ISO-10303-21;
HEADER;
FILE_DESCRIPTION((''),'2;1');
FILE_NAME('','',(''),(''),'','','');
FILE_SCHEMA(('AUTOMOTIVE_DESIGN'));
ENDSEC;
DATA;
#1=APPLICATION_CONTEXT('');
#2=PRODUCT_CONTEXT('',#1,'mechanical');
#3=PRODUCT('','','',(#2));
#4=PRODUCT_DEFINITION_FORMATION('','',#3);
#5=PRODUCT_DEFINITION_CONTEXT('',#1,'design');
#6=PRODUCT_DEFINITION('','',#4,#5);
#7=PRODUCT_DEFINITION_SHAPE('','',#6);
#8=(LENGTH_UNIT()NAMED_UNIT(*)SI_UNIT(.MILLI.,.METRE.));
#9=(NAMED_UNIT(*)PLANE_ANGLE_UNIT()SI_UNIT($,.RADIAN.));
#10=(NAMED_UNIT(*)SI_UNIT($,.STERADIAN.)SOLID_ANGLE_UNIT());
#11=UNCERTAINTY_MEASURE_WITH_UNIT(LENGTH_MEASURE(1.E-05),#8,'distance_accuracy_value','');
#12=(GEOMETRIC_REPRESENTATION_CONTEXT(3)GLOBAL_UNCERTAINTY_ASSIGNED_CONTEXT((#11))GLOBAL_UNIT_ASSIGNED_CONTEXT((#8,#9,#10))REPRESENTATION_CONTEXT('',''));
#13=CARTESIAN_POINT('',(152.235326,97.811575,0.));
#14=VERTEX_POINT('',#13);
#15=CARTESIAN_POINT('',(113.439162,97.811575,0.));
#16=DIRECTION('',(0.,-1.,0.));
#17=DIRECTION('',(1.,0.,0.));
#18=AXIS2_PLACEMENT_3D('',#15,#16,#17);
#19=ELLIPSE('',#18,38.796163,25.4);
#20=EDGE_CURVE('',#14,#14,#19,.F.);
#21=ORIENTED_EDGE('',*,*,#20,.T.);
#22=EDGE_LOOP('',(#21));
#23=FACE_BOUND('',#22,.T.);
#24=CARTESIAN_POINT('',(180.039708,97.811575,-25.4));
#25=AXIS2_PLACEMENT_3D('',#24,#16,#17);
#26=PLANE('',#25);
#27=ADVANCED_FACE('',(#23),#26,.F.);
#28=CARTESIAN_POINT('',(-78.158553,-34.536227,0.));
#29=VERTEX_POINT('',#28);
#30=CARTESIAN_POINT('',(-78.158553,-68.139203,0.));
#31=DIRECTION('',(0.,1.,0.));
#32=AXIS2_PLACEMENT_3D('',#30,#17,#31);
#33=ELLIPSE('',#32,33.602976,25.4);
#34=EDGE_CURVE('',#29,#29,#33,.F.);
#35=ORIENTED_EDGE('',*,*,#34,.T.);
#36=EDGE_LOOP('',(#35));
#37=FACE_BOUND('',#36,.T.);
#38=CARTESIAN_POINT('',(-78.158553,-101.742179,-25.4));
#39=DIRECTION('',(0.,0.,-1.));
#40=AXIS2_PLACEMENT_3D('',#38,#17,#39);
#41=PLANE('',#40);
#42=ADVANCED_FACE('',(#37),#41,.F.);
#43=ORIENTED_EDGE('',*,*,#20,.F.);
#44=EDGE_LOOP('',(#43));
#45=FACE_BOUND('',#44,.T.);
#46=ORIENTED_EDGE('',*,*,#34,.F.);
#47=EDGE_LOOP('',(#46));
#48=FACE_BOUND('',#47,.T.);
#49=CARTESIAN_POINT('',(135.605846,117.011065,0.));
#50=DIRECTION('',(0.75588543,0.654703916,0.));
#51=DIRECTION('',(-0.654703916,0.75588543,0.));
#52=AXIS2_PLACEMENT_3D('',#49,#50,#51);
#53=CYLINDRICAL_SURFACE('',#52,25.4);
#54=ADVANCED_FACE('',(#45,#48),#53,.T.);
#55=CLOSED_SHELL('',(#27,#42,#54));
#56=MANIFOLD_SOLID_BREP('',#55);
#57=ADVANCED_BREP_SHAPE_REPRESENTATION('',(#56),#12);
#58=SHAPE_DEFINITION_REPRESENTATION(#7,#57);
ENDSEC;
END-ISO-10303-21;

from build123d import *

# Parameters (mm, degrees)
CUT_EXTRUDE1_DEPTH      = 206.849628346
CUT_EXTRUDE1_DEPTH_BACK = 206.849628346
CUT_EXTRUDE2_DEPTH      = 185.85731066
CUT_EXTRUDE2_DEPTH_BACK = 185.85731066


with BuildPart() as part:
    # Sketch1 → Revolve-Thin1 (revolve)
    with BuildSketch(Plane.XY, mode=Mode.PRIVATE) as revolve_thin1_sk:
        Polygon((135.605846103, 117.01106453), (-94.788032894, -82.542688932), (-78.158553439, -101.742178848), (152.235325558, 97.811574614), align=None)
    revolve(revolve_thin1_sk.sketch.rotate(Axis((135.605846103, 117.01106453, 0), (-0.7558854297800033, -0.6547039155574831, 0)), 180), axis=Axis((135.605846103, 117.01106453, 0), (-0.7558854297800033, -0.6547039155574831, 0)))

    # Sketch2 → Cut-Extrude1 (cut, two sides: drawn at the far end of the back side and taken through both)
    with BuildSketch(Plane.XY.offset(-CUT_EXTRUDE1_DEPTH_BACK)):
        Polygon((180.039707564, 97.811574614), (7.480130989, 97.811574614), (101.41164362, 186.9937411), align=None)
    extrude(amount=CUT_EXTRUDE1_DEPTH + CUT_EXTRUDE1_DEPTH_BACK, mode=Mode.SUBTRACT)

    # Sketch3 → Cut-Extrude2 (cut, two sides: drawn at the far end of the back side and taken through both)
    with BuildSketch(Plane.XY.offset(-CUT_EXTRUDE2_DEPTH_BACK)):
        Polygon((-78.158553439, -101.742178848), (-78.158553439, 0), (-164.424224952, -9.260462321), (-121.291389196, -114.506813698), align=None)
    extrude(amount=CUT_EXTRUDE2_DEPTH + CUT_EXTRUDE2_DEPTH_BACK, mode=Mode.SUBTRACT)


solid = part.part
